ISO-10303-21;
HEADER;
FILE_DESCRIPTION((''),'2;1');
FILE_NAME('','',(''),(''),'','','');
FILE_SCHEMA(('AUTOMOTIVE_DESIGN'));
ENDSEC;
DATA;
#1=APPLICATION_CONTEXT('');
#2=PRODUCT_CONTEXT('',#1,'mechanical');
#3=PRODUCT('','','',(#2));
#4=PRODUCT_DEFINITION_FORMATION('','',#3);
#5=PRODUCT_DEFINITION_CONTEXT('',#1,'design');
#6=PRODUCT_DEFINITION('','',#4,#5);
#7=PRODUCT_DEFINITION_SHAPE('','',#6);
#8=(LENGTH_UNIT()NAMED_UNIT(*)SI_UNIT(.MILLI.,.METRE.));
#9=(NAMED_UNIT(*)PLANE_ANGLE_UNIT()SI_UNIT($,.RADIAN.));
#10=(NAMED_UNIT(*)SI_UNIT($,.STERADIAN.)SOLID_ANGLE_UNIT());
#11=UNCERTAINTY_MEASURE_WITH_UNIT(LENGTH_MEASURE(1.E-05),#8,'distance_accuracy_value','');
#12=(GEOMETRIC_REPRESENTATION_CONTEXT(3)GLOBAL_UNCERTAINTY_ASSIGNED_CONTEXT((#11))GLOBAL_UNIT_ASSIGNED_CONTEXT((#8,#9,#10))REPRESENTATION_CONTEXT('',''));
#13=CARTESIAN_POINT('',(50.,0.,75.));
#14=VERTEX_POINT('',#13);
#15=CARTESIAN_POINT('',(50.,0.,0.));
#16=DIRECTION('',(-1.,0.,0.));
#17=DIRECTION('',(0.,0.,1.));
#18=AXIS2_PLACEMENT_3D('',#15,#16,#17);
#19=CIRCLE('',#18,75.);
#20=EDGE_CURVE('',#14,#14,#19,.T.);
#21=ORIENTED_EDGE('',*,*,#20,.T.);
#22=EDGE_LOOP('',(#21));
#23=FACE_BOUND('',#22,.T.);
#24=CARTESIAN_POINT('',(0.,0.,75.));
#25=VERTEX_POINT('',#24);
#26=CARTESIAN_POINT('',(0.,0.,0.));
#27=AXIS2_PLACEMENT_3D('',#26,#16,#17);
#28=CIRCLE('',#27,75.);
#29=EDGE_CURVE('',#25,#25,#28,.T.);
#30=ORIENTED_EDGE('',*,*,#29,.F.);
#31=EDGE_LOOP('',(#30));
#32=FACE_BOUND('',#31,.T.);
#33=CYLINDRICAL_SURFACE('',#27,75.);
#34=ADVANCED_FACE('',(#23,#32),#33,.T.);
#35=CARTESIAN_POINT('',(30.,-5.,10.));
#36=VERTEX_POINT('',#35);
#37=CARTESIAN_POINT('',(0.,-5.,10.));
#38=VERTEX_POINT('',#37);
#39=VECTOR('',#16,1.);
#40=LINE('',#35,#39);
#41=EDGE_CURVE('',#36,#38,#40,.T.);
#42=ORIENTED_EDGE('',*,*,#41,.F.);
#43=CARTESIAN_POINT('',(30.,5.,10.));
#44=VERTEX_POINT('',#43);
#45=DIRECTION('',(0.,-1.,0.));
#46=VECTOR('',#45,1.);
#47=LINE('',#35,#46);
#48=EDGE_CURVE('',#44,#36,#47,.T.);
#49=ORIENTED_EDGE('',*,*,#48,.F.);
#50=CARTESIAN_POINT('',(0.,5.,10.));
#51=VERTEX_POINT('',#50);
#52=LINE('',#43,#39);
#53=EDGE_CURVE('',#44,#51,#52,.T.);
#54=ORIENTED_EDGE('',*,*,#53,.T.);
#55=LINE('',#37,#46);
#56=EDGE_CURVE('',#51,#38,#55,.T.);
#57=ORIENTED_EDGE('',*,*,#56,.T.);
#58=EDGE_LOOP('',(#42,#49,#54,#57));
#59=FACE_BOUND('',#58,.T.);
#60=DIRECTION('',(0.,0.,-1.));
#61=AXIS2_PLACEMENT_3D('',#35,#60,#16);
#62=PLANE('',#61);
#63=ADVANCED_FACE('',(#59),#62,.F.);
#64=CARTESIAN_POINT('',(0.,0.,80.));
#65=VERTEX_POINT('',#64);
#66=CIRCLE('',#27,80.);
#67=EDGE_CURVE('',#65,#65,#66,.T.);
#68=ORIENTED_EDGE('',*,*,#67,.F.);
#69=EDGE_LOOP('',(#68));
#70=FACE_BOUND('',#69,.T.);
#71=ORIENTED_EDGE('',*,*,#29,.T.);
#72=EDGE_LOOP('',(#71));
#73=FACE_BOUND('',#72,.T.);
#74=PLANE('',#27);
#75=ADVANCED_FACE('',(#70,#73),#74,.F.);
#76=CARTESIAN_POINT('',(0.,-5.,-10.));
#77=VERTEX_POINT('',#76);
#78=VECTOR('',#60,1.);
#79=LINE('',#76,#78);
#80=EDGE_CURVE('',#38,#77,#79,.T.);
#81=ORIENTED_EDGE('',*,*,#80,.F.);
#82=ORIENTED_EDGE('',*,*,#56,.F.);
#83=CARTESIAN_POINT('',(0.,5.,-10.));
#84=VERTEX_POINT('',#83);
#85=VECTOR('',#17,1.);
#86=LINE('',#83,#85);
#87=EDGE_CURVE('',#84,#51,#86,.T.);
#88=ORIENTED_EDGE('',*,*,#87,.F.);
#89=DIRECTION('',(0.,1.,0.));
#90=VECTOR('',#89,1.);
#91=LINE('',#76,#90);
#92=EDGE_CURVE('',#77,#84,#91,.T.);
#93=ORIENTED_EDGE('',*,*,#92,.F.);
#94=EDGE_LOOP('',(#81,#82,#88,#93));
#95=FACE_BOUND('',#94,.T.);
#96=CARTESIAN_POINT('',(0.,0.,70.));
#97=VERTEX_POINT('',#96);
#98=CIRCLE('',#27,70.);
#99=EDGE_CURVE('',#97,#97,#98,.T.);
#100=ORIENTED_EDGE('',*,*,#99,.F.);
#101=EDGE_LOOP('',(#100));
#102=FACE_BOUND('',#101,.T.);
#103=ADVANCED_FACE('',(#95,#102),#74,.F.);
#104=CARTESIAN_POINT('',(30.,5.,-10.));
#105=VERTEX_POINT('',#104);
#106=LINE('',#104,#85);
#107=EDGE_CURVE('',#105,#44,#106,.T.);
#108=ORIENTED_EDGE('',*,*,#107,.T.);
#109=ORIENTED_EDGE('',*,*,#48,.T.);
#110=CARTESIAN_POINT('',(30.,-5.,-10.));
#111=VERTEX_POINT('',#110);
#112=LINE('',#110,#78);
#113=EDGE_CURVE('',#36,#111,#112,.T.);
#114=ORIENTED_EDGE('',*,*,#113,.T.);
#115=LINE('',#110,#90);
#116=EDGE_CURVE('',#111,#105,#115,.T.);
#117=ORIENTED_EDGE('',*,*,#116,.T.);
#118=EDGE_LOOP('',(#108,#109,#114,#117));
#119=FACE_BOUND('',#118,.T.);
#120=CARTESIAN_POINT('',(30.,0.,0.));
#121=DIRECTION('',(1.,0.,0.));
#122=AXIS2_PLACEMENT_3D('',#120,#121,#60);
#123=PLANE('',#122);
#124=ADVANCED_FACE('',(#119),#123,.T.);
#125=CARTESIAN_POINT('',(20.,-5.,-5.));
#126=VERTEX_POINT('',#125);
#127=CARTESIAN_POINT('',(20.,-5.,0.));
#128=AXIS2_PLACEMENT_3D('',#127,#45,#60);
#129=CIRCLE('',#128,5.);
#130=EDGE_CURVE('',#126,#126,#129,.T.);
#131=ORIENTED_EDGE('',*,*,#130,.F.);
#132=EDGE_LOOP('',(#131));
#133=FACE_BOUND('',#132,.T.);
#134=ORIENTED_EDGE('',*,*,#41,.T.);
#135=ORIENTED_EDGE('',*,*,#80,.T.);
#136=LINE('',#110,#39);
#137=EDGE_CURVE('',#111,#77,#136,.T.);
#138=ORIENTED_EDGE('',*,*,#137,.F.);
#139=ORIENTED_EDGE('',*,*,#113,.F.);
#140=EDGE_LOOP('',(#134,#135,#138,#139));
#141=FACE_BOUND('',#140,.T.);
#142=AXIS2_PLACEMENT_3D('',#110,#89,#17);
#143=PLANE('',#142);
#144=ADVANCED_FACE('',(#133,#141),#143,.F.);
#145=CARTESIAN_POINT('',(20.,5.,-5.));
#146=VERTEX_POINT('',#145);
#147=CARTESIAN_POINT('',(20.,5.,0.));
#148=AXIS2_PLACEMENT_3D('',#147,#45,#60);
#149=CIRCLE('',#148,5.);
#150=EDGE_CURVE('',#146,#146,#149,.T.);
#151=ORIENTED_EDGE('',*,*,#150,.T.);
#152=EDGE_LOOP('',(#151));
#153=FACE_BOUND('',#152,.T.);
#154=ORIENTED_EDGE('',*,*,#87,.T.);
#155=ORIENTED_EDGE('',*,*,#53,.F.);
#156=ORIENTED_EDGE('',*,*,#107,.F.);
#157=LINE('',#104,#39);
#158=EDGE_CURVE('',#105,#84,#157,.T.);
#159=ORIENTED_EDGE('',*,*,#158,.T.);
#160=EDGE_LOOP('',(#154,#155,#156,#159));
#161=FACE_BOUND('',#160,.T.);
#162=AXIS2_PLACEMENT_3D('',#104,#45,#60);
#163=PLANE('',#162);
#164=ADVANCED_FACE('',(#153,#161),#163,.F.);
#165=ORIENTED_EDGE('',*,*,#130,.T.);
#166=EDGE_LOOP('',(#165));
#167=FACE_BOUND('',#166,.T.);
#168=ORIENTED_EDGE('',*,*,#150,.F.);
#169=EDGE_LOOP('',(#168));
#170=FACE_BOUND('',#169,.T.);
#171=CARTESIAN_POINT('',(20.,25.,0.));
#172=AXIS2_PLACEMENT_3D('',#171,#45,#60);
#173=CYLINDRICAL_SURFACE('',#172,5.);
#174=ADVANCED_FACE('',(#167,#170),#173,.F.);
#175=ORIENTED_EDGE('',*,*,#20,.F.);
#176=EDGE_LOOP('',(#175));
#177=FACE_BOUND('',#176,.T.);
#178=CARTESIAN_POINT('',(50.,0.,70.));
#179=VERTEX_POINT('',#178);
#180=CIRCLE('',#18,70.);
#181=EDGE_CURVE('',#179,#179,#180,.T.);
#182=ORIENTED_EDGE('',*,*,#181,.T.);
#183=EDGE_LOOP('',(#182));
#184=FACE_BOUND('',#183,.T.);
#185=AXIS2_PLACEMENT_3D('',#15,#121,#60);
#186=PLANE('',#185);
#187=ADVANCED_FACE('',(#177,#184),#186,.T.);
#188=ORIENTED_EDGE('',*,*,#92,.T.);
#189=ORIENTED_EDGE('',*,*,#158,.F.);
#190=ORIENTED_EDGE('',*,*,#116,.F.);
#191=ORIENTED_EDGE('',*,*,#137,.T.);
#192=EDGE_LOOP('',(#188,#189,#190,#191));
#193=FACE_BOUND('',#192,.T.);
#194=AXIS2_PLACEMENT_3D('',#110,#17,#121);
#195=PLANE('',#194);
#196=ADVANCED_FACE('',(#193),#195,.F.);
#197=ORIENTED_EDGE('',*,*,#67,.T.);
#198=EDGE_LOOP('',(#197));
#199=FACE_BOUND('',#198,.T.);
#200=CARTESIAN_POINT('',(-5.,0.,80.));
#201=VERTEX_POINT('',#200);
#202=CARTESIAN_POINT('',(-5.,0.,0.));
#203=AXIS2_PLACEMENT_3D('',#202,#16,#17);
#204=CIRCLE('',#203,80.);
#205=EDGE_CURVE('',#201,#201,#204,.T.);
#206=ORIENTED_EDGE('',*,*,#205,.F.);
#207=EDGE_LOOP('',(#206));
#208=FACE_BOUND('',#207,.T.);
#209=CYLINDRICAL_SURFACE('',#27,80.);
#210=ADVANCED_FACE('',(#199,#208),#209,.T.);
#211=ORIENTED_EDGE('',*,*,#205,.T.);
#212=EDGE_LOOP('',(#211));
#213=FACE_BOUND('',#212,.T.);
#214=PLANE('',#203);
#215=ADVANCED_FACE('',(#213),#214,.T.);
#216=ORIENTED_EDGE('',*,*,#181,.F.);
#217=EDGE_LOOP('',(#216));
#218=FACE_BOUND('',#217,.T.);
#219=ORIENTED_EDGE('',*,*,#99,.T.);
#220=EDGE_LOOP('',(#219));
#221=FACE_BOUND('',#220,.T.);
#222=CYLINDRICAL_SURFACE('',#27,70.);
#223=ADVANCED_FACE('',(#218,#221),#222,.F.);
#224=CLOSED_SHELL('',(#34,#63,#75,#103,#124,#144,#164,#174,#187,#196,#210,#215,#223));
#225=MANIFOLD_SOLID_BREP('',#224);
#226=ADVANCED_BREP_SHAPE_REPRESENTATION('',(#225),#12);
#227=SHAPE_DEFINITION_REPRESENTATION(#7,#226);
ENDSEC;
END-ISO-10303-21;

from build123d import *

# Parameters (mm, degrees)
SKIZZE1_W                       = 5
SKIZZE1_H                       = 80
SKIZZE1_W_2                     = 50
SKIZZE1_H_2                     = 5
SKIZZE2_W                       = 20
SKIZZE2_H                       = 10
AUFSATZ_LINEAR_AUSTRAGEN1_DEPTH = 30
SKIZZE3_R                       = 5
SCHNITT_LINEAR_AUSTRAGEN1_DEPTH = 30


with BuildPart() as part:
    # Skizze1 → Rotation1 (revolve)
    with BuildSketch(Plane.XY, mode=Mode.PRIVATE) as rotation1_sk:
        with Locations((-2.5, 40)):
            Rectangle(SKIZZE1_W, SKIZZE1_H)
        with Locations((25, 72.5)):
            Rectangle(SKIZZE1_W_2, SKIZZE1_H_2)
    revolve(rotation1_sk.sketch.rotate(Axis((0, 0, 0), (1, 0, 0)), 90), axis=Axis((0, 0, 0), (1, 0, 0)))

    # Skizze2 → Aufsatz-Linear austragen1 (add)
    with BuildSketch(Plane(origin=(0, 0, 0), x_dir=(0, 0, -1), z_dir=(1, 0, 0))):
        Rectangle(SKIZZE2_W, SKIZZE2_H)
    extrude(amount=AUFSATZ_LINEAR_AUSTRAGEN1_DEPTH)

    # Skizze3 → Schnitt-Linear austragen1 (cut)
    with BuildSketch(Plane.XZ.offset(5)):
        with Locations(Location((20, 0, 0), (0, 0, 270))):
            Circle(SKIZZE3_R)
    extrude(amount=-SCHNITT_LINEAR_AUSTRAGEN1_DEPTH, mode=Mode.SUBTRACT)


solid = part.part
